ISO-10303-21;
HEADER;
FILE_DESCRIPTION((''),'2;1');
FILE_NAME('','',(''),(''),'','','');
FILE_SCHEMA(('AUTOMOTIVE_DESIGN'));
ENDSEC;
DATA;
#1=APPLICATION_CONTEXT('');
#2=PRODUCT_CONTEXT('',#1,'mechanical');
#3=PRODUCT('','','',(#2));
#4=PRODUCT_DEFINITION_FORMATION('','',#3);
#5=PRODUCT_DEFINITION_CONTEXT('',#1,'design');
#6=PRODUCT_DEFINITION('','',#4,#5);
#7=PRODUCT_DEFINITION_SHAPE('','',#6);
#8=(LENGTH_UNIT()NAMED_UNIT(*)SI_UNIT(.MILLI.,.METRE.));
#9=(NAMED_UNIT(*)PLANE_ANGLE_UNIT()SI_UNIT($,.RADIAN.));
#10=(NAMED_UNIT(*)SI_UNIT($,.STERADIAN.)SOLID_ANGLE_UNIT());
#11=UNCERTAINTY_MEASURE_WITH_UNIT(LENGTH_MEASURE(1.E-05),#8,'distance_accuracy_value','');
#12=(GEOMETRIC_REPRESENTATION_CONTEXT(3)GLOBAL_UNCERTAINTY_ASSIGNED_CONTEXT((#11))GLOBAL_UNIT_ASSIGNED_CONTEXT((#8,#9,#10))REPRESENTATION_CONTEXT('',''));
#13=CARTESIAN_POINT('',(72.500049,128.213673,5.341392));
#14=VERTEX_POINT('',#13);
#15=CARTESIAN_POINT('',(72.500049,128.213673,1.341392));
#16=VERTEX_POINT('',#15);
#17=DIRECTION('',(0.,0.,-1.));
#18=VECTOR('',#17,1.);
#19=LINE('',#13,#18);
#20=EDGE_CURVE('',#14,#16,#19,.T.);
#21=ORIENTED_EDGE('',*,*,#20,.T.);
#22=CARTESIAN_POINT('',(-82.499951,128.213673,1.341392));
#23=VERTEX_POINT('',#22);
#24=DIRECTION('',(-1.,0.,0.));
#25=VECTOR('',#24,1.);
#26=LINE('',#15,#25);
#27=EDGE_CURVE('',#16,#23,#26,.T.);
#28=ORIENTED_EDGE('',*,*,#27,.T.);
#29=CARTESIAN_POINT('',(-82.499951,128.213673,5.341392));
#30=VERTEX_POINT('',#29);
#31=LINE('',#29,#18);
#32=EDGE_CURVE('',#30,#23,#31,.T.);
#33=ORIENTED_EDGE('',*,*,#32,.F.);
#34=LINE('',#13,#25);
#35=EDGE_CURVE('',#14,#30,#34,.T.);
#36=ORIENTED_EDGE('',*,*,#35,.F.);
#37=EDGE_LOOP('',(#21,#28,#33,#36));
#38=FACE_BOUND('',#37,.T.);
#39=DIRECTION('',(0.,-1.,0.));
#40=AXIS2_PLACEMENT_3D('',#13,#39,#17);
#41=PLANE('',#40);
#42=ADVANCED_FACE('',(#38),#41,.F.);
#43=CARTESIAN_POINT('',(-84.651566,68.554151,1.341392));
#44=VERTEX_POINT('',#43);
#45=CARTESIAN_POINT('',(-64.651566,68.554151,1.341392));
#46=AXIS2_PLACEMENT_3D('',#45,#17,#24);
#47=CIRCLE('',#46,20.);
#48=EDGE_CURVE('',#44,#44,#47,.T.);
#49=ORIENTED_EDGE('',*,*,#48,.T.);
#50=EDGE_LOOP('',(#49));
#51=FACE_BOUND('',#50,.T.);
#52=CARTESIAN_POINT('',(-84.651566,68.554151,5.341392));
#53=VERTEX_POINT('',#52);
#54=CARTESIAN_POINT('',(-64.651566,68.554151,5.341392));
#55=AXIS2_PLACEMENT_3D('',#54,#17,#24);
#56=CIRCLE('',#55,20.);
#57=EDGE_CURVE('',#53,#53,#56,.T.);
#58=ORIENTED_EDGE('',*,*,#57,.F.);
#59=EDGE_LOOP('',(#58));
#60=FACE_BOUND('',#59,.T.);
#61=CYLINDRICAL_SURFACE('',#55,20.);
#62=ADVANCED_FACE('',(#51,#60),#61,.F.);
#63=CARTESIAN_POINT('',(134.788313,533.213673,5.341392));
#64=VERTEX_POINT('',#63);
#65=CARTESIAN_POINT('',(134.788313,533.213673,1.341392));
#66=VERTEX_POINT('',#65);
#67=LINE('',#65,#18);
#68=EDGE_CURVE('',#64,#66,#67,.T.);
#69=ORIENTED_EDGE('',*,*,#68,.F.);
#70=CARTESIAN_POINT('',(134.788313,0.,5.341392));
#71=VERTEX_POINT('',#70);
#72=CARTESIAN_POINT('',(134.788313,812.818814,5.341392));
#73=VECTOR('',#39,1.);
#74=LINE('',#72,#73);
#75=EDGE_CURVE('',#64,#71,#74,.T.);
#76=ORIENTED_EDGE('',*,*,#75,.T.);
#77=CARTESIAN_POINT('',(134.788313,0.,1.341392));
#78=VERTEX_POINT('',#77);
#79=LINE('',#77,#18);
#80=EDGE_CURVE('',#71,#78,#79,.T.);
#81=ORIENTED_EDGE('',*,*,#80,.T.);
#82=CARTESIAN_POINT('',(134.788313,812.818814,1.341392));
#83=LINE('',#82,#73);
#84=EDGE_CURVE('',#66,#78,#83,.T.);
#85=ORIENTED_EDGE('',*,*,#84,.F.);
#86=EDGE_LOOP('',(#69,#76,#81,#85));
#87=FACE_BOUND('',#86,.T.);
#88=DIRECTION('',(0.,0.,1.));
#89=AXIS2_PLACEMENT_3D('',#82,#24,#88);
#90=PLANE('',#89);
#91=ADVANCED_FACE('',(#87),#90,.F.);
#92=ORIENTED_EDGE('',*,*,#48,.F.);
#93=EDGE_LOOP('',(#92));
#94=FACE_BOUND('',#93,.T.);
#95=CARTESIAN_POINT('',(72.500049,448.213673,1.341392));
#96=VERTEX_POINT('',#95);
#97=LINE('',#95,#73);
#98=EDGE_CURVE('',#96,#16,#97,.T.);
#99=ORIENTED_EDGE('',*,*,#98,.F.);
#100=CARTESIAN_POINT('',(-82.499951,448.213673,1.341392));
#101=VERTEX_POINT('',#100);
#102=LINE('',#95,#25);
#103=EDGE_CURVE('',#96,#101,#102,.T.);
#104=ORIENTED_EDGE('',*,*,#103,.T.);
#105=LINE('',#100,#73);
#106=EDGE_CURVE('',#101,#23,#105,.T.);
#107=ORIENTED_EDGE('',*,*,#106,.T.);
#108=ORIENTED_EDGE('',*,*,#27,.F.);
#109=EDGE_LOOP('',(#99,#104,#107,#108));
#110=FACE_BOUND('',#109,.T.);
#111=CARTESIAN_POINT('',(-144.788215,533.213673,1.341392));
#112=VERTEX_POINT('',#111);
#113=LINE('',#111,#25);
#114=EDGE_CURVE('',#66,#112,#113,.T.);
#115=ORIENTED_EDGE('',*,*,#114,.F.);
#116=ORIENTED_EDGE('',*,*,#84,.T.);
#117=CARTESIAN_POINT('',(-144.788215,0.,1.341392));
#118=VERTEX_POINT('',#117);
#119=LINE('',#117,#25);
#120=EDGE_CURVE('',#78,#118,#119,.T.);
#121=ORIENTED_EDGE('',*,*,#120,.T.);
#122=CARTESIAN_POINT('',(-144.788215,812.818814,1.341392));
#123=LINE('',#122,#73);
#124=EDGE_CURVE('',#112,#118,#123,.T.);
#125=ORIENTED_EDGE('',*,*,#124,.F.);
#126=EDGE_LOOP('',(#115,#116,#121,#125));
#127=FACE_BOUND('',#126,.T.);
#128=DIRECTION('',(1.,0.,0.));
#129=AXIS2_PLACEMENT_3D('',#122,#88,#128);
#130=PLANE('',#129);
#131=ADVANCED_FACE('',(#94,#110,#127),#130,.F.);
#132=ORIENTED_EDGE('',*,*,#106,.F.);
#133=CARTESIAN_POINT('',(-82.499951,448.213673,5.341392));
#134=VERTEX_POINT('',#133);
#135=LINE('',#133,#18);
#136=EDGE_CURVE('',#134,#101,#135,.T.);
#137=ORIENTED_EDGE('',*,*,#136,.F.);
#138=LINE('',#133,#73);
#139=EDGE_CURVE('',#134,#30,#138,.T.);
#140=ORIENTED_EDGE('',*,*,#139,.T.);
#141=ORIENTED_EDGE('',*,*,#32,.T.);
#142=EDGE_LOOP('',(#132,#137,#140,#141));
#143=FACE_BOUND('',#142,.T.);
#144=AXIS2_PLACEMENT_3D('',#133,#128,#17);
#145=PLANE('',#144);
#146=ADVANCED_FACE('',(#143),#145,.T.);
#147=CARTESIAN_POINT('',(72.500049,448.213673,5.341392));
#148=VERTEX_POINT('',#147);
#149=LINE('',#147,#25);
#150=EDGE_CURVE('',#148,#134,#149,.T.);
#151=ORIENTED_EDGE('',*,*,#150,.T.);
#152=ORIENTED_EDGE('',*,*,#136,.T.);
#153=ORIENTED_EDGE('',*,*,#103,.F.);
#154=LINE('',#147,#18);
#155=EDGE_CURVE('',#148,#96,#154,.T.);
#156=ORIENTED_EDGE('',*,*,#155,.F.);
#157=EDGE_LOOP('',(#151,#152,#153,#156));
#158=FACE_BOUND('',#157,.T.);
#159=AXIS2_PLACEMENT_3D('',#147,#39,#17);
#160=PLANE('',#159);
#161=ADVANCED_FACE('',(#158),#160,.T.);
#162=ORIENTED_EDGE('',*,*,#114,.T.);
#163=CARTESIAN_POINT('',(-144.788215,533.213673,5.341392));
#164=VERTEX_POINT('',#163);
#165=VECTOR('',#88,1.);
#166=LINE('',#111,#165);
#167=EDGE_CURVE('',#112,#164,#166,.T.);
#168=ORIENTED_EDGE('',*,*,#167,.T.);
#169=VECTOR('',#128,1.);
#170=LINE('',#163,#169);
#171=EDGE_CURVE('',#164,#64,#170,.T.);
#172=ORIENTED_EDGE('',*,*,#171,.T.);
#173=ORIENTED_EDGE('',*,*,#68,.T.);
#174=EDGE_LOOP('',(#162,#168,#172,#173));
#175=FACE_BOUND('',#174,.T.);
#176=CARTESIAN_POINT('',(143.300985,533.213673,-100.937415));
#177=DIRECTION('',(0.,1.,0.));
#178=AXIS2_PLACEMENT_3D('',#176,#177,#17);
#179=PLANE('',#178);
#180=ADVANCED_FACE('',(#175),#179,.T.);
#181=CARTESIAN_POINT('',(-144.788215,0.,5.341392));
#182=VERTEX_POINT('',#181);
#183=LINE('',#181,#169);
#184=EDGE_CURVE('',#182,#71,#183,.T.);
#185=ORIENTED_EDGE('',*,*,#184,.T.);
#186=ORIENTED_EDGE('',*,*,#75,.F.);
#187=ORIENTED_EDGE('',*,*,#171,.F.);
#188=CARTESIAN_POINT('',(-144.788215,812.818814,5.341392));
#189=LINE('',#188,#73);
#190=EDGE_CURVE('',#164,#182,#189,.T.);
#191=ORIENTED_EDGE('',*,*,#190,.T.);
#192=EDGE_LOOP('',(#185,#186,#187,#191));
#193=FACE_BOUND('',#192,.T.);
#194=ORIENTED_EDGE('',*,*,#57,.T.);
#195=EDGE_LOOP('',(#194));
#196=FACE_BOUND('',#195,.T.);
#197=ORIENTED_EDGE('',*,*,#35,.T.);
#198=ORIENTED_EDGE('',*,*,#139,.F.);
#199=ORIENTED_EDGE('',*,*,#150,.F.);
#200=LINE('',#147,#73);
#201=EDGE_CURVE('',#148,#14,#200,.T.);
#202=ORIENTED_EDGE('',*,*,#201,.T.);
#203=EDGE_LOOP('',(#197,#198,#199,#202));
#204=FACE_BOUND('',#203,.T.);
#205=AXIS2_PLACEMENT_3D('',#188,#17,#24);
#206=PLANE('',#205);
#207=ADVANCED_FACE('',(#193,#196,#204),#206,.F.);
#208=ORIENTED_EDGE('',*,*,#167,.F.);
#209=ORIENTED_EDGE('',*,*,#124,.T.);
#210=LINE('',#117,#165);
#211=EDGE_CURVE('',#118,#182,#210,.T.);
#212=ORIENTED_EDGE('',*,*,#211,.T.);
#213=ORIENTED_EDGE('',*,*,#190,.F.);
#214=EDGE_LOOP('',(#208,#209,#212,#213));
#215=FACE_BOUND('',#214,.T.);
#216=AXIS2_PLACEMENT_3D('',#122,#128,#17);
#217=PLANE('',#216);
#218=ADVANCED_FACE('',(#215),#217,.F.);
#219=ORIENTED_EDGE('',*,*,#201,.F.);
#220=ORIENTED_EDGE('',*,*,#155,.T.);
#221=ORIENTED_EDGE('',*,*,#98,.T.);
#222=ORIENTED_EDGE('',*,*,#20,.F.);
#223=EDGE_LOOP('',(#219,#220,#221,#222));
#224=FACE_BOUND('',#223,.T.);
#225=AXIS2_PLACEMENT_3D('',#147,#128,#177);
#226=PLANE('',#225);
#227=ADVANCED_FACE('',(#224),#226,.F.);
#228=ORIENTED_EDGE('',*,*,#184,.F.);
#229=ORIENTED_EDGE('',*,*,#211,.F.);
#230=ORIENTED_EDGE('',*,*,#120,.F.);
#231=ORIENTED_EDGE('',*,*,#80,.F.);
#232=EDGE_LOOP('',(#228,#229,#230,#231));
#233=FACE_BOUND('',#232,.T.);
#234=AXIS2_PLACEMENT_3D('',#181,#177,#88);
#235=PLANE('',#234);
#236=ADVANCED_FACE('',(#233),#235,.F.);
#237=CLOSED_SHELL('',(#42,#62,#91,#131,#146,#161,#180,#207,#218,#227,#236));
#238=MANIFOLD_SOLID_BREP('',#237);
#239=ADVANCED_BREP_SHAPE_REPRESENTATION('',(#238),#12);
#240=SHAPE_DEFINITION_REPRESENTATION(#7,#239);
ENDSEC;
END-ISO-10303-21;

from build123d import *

# Parameters (mm, degrees)
SKETCH_1_W          = 279.576527547
SKETCH_1_H          = 4
EXTRUDE_1_DEPTH     = 533.213673317
SKETCH_2_R          = 20
CUT_EXTRUDE_1_DEPTH = 553.536377523
SKETCH1_W           = 155
SKETCH1_H           = 320
CUT_EXTRUDE1_DEPTH  = 553.536377523


with BuildPart() as part:
    # Эскиз1 → Вытянуть1 (new body)
    with BuildSketch(Plane(origin=(0, 0, 0), x_dir=(1, 0, 0), z_dir=(0, 1, 0))):
        with Locations((-4.999950783, -3.341392103)):
            Rectangle(SKETCH_1_W, SKETCH_1_H)
    extrude(amount=EXTRUDE_1_DEPTH)

    # Эскиз2 → Вырез-Вытянуть1 (cut, through all)
    with BuildSketch(Plane(origin=(0, 0, 1.341392103), x_dir=(-1, 0, 0), z_dir=(0, 0, -1))):
        with Locations((64.651566286, 68.554150891)):
            Circle(SKETCH_2_R)
    extrude(amount=-CUT_EXTRUDE_1_DEPTH, mode=Mode.SUBTRACT)

    # Sketch1 → Cut-Extrude1 (cut, through all)
    with BuildSketch(Plane(origin=(0, 0, 1.341392103), x_dir=(-1, 0, 0), z_dir=(0, 0, -1))):
        with Locations((4.999950782, 288.213673317)):
            Rectangle(SKETCH1_W, SKETCH1_H)
    extrude(amount=-CUT_EXTRUDE1_DEPTH, mode=Mode.SUBTRACT)


solid = part.part
